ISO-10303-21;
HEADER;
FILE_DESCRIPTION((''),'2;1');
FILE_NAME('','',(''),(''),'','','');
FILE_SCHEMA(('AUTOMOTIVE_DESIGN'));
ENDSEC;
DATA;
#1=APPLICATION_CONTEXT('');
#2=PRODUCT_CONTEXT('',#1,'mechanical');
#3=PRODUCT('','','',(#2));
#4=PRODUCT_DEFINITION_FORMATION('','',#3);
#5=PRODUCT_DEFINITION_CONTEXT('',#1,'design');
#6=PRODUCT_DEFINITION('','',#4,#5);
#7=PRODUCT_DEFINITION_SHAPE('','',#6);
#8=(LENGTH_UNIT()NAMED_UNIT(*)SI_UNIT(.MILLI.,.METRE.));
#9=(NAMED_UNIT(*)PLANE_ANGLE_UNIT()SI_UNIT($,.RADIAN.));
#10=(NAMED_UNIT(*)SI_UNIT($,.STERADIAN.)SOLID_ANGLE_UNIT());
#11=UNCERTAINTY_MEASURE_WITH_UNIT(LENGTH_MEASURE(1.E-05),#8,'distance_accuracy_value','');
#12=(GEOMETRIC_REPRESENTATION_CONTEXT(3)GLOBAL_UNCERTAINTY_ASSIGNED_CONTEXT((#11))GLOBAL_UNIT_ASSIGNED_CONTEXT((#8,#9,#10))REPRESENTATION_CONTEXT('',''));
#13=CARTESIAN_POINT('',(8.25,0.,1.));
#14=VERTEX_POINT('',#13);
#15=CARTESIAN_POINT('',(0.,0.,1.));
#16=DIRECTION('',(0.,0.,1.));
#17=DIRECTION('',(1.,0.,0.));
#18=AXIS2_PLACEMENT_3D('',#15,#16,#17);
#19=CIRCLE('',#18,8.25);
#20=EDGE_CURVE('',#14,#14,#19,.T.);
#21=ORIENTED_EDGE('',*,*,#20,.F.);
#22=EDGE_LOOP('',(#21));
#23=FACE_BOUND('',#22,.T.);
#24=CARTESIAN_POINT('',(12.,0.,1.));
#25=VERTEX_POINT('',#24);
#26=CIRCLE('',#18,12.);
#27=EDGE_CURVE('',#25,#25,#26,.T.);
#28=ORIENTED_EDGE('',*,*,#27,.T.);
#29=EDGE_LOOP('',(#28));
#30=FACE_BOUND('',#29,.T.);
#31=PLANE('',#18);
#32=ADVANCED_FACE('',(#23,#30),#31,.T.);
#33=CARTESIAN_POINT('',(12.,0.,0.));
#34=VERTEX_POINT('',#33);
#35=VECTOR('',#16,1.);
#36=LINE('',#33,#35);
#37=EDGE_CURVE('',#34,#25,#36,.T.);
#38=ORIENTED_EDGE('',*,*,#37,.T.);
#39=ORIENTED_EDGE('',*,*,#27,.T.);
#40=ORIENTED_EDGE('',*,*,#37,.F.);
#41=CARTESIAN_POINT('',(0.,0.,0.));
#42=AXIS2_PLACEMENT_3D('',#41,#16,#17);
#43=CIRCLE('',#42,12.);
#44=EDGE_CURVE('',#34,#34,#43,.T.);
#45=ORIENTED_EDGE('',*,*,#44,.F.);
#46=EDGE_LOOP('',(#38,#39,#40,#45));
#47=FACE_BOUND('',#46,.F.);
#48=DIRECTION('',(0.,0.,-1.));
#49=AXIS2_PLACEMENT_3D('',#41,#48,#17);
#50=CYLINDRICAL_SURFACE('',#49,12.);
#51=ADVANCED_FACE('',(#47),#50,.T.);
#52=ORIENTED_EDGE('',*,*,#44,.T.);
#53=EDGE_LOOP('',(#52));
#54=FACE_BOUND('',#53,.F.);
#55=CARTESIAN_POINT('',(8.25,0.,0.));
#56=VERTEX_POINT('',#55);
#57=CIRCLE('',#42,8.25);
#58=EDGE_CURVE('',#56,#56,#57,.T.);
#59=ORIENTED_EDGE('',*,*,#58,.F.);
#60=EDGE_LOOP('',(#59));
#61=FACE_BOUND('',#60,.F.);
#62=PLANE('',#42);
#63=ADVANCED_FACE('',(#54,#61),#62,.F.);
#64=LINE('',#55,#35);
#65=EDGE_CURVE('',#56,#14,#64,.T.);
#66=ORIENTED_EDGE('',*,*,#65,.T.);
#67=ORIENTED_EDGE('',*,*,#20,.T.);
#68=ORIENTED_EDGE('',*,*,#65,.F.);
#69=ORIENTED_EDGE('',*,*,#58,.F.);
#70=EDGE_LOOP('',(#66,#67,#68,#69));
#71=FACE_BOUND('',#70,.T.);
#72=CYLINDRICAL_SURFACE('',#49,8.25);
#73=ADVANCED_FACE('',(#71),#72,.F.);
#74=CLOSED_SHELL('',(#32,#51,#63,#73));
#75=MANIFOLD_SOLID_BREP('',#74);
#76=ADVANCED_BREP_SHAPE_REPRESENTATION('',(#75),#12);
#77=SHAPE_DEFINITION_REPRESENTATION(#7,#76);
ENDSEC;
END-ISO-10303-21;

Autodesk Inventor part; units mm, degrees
ref_plane "YZ Plane" through (0, 0, 0) normal (1, 0, 0) x (0, 1, 0)
ref_plane "XZ Plane" through (0, 0, 0) normal (0, 1, 0) x (-1, 0, 0)
ref_plane "XY Plane" through (0, 0, 0) normal (0, 0, 1) x (1, 0, 0)
sketch "スケッチ1" plane through (0, 0, 0) normal (0, 0, 1) x (1, 0, 0)
  circle A0 centre (0, 0) radius 8.25
  circle A1 centre (0, 0) radius 12
  dimension "d0" = 16.5
  dimension "d1" = 24
extrude "押し出し1" add sketch "スケッチ1" along normal blind 1
properties part number "ワッシャー16.5,24,1t" material "アセタール樹脂、白"
